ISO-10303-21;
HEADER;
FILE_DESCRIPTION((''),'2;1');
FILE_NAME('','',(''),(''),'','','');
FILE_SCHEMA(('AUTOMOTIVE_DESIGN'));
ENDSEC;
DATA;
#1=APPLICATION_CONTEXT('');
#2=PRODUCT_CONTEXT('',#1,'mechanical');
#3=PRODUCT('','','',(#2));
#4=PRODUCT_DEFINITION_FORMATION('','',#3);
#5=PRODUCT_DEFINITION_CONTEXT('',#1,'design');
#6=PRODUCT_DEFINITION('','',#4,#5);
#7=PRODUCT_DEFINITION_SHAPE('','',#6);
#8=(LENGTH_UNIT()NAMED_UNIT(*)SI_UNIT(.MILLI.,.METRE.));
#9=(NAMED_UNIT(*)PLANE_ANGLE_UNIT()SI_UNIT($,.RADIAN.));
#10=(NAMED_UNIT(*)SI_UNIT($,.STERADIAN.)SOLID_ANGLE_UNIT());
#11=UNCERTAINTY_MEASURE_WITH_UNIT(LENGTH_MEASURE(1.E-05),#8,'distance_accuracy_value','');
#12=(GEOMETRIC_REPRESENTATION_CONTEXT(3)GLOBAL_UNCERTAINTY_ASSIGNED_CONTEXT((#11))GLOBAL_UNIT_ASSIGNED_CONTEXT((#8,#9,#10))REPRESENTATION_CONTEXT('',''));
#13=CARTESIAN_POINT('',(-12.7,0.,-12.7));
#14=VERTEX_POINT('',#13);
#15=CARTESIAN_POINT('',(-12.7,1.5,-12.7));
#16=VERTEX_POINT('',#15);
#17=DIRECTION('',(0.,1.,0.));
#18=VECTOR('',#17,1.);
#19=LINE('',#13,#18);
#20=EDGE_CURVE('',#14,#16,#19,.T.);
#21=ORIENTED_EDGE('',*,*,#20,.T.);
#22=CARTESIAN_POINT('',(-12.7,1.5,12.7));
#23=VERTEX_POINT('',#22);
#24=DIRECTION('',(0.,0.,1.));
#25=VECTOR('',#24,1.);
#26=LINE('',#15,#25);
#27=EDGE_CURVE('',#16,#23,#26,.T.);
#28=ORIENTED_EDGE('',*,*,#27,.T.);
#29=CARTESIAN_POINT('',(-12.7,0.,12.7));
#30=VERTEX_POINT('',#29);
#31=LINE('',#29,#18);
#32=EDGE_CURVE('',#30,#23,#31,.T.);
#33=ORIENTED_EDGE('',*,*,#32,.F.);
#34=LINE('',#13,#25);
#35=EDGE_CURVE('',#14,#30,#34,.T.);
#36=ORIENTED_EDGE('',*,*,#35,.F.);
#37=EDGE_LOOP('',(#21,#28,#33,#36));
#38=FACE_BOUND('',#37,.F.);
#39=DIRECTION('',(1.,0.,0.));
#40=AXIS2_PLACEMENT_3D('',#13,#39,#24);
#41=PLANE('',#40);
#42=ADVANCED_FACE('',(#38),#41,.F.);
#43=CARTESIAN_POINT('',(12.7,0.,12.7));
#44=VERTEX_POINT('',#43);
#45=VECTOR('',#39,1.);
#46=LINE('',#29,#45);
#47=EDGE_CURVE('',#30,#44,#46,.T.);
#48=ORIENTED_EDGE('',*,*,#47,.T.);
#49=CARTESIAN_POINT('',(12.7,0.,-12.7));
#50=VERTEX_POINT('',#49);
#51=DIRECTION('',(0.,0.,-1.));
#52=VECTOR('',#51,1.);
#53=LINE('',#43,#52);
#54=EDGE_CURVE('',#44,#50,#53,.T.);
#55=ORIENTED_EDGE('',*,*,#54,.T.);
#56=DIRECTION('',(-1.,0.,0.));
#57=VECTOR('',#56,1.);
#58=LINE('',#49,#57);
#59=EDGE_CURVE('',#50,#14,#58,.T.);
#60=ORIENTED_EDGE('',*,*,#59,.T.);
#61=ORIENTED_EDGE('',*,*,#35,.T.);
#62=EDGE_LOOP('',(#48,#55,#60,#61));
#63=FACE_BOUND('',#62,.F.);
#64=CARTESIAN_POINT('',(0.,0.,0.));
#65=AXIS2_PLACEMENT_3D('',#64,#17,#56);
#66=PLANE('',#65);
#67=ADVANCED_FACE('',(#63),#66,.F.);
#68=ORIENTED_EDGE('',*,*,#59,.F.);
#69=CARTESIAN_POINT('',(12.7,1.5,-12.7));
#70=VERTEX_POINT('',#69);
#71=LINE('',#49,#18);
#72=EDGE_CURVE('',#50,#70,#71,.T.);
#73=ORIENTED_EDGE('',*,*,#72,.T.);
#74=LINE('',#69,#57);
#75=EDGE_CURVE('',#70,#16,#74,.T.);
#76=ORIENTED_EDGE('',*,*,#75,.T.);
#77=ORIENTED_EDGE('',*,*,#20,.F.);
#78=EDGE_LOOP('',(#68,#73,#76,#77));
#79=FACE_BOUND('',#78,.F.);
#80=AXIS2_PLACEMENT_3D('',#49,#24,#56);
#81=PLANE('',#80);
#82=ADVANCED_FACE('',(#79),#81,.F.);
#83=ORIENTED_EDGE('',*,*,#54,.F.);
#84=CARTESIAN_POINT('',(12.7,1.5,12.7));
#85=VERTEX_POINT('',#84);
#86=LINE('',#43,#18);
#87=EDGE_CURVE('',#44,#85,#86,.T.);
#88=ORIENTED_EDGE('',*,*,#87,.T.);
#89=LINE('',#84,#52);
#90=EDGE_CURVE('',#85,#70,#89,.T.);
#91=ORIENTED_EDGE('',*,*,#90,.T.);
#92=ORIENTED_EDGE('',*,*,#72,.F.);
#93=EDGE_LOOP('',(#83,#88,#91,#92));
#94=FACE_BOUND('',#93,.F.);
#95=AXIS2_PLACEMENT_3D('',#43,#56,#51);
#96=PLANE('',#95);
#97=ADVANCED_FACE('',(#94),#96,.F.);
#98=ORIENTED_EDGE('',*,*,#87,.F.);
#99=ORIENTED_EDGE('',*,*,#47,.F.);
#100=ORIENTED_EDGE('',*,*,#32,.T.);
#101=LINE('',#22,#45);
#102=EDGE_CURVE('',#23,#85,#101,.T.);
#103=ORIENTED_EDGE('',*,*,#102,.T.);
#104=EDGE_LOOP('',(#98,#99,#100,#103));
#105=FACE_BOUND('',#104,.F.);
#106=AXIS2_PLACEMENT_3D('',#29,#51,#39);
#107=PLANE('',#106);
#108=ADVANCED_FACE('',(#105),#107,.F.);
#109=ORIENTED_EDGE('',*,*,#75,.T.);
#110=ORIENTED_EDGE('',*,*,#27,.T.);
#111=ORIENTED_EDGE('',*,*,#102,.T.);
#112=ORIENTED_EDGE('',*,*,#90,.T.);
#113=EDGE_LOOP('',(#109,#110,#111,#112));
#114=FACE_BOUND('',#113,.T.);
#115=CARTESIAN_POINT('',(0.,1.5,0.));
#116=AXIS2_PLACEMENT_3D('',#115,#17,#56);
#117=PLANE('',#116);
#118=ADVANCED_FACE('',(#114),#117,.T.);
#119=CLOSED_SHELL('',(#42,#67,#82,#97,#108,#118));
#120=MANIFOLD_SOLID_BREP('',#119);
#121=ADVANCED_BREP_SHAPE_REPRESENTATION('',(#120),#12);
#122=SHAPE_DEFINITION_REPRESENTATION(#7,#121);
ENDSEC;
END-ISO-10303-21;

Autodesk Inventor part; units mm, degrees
ref_plane "YZ Plane" through (0, 0, 0) normal (1, 0, 0) x (0, 1, 0)
ref_plane "XZ Plane" through (0, 0, 0) normal (0, 1, 0) x (-1, 0, 0)
ref_plane "XY Plane" through (0, 0, 0) normal (0, 0, 1) x (1, 0, 0)
sketch "Sketch1" plane through (0, 0, 0) normal (0, 1, 0) x (-1, 0, 0)
  line L0 (-12.7, -12.7) -> (12.7, -12.7)
  line L1 (12.7, -12.7) -> (12.7, 12.7)
  line L2 (12.7, 12.7) -> (-12.7, 12.7)
  line L3 (-12.7, 12.7) -> (-12.7, -12.7)
  line L4 (-12.7, -12.7) -> (12.7, 12.7) construction
  line L5 (12.7, -12.7) -> (-12.7, 12.7) construction
  point P0 (0, 0)
  dimension "d0" = 25.4
  dimension "d1" = 25.4
extrude "Extrusion1" add sketch "Sketch1" along normal blind 1.5
properties part number "Glass Slide" material "Glass"
